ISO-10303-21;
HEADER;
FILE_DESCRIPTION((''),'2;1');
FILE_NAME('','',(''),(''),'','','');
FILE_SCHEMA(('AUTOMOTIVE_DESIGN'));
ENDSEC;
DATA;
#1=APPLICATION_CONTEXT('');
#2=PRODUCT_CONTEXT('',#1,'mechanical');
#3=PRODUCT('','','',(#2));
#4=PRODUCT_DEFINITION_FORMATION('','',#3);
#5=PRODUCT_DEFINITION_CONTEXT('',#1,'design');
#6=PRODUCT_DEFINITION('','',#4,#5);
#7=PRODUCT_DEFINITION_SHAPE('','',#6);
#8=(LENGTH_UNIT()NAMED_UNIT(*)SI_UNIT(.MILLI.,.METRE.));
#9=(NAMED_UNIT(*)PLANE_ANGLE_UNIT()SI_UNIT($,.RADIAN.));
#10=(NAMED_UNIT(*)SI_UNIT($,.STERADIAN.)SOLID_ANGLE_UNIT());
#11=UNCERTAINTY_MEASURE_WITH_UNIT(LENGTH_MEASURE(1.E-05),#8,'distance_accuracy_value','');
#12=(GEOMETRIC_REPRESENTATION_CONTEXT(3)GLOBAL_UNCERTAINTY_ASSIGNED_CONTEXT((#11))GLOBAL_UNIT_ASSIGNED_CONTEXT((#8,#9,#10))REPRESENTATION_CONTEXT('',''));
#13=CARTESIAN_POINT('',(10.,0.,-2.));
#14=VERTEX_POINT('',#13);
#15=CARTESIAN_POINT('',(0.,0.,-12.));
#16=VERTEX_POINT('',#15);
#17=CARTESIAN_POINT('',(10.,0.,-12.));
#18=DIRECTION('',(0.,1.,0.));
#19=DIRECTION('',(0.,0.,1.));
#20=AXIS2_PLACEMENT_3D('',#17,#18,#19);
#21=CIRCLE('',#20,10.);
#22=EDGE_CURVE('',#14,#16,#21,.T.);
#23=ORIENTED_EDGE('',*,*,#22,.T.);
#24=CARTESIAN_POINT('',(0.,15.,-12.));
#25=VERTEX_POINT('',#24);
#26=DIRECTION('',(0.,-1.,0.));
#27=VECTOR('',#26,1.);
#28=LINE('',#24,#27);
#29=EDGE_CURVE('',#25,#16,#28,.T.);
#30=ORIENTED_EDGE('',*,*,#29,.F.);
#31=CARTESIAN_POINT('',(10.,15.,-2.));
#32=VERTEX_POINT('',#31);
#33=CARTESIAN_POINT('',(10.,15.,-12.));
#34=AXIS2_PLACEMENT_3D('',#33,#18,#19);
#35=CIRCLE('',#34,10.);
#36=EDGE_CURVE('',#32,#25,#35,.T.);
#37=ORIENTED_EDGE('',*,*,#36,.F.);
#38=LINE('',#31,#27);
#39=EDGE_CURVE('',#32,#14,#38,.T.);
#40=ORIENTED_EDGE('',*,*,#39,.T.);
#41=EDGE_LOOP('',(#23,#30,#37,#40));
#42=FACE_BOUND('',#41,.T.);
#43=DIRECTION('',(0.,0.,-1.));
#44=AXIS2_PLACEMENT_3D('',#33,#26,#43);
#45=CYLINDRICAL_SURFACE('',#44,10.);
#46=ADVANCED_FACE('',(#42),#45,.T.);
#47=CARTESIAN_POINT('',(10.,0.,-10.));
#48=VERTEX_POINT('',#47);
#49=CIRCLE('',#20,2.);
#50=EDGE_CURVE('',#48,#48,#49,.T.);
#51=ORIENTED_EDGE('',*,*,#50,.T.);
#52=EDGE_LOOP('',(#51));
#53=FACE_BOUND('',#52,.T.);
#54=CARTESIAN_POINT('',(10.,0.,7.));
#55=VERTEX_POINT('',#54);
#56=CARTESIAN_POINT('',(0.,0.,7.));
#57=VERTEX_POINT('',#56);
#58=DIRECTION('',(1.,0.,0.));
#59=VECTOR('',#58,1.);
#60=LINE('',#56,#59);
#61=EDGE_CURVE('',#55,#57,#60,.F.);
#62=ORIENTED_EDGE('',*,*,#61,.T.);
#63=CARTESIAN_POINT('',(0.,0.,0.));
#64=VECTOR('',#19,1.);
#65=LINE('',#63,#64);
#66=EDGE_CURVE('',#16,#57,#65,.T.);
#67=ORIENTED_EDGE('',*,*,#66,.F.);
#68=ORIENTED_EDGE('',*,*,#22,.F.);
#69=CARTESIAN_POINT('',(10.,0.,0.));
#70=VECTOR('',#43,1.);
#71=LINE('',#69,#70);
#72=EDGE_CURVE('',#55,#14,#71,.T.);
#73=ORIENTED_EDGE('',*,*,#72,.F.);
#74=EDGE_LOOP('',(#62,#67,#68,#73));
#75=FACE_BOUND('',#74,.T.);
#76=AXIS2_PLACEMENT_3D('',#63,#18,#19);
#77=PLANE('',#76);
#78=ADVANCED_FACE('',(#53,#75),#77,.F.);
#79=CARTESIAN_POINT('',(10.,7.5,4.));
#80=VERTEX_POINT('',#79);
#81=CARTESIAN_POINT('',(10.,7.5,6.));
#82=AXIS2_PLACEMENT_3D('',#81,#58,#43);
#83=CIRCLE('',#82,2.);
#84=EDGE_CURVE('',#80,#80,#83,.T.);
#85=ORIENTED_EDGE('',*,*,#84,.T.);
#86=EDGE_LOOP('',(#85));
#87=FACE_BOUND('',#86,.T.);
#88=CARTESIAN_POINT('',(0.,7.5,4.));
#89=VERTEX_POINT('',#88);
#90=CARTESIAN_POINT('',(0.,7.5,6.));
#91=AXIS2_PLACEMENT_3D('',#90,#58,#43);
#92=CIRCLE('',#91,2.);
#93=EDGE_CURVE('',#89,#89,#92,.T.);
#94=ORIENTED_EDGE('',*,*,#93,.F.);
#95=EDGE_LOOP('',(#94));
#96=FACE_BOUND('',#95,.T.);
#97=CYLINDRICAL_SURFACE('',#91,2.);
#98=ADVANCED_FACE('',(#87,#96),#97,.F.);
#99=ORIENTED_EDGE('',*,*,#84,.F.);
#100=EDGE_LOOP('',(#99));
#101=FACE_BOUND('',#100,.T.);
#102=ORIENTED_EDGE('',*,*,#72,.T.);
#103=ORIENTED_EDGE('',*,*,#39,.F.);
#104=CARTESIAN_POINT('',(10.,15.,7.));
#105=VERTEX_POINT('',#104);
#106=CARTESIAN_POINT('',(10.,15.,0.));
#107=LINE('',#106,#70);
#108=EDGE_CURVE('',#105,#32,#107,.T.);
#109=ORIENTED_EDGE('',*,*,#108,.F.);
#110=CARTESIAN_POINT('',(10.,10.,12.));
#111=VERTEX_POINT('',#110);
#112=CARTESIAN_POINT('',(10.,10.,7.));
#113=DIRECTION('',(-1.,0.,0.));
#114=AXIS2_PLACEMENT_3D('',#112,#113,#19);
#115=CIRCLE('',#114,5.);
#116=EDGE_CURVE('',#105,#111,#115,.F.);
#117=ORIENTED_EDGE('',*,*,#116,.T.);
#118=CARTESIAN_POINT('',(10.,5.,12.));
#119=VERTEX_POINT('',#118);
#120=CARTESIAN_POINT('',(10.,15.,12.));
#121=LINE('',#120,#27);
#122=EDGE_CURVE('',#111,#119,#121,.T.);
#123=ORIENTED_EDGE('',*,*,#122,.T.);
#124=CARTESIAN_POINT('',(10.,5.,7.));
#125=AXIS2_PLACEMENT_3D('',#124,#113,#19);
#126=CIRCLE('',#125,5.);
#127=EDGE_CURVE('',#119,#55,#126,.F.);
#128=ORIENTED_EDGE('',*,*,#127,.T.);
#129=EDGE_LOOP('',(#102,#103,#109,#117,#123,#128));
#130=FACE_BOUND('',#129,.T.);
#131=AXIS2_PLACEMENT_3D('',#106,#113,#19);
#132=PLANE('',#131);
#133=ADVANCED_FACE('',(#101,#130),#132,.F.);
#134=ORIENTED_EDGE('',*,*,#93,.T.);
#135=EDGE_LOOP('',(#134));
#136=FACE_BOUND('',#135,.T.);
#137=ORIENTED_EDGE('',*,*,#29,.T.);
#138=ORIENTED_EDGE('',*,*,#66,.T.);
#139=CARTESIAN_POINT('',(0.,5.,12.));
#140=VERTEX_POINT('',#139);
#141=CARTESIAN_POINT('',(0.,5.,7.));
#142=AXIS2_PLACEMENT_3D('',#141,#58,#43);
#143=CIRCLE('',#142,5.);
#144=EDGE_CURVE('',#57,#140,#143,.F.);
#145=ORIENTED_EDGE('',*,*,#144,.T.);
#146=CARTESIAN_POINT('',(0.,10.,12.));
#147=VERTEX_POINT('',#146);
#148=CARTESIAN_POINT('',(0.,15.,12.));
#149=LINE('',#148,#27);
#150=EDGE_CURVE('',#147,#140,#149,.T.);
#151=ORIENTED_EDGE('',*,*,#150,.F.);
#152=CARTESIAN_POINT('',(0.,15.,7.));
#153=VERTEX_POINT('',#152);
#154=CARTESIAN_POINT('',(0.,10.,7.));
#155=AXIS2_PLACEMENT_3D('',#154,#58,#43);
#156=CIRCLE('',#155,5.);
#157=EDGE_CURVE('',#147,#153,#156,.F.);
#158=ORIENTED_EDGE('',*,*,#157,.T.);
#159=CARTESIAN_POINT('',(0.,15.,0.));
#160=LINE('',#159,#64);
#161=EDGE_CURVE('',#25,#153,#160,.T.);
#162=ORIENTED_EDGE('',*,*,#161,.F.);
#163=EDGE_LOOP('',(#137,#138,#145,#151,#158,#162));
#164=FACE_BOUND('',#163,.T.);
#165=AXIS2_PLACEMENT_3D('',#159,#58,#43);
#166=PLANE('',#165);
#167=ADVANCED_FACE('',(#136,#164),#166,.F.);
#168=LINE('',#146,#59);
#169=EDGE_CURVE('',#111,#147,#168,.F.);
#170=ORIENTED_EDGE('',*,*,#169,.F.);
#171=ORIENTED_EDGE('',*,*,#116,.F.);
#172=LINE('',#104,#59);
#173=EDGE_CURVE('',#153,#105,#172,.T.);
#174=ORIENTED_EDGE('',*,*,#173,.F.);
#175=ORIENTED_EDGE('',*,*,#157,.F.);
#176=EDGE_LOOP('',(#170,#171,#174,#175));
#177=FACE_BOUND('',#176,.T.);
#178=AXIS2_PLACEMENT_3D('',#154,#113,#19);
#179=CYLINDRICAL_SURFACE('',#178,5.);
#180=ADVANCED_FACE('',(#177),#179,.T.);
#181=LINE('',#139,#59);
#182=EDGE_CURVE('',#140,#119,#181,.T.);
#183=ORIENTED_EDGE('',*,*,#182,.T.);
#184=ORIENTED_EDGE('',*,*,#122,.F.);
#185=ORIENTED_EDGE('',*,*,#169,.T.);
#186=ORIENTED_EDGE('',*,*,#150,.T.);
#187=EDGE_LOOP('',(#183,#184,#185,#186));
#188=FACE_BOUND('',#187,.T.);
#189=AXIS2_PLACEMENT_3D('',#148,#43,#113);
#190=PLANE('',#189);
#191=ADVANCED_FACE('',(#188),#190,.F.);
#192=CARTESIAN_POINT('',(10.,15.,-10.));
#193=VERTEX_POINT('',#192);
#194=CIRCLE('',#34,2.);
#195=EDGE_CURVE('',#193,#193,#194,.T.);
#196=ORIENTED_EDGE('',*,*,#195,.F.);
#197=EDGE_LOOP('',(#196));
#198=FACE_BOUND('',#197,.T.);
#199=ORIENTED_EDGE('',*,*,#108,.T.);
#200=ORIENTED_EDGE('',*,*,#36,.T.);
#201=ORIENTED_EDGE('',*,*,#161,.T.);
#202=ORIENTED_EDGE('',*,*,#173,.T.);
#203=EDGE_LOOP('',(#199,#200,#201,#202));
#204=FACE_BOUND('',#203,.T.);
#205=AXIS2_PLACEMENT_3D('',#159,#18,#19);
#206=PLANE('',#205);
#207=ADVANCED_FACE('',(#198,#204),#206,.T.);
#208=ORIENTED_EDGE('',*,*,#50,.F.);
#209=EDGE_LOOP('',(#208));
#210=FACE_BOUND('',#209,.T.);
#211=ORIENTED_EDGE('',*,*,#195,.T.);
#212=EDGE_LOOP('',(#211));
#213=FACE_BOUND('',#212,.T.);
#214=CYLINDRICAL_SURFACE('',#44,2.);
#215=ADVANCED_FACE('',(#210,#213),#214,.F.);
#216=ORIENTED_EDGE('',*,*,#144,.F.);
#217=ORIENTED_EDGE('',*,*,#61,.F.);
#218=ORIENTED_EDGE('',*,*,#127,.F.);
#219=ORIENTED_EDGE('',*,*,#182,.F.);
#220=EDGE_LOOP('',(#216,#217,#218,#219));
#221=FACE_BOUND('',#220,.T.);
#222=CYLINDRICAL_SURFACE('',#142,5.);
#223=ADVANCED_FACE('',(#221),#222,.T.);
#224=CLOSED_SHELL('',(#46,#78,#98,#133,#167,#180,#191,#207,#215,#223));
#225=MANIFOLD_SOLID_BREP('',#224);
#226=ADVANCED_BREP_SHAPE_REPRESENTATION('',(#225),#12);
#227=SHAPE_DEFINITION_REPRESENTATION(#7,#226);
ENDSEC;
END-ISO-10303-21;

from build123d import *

# Parameters (mm, degrees)
SKIZZE1_R                       = 2
AUFSATZ_LINEAR_AUSTRAGEN1_DEPTH = 15
VERRUNDUNG1_R                   = 5
SKIZZE2_R                       = 2
SCHNITT_LINEAR_AUSTRAGEN1_DEPTH = 29.442925307


with BuildPart() as part:
    # Skizze1 → Aufsatz-Linear austragen1 (new body)
    with BuildSketch(Plane(origin=(0, 0, 0), x_dir=(1, 0, 0), z_dir=(0, 1, 0))):
        with BuildLine():
            Line((0, 12), (0, -12))
            Line((0, -12), (10, -12))
            Line((10, -12), (10, 2))
            ThreePointArc((10, 2), (17.071067812, 19.071067812), (0, 12))
        make_face()
        with Locations(Location((10, 12, 0), (0, 0, 270))):
            Circle(SKIZZE1_R, mode=Mode.SUBTRACT)
    extrude(amount=AUFSATZ_LINEAR_AUSTRAGEN1_DEPTH)

    # Verrundung1
    verrundung1_edges = [part.edges().sort_by_distance(p)[0] for p in [
        (5, 15, 12),
        (5, 0, 12),
    ]]
    fillet(verrundung1_edges, radius=VERRUNDUNG1_R)

    # Skizze2 → Schnitt-Linear austragen1 (cut, through all)
    with BuildSketch(Plane(origin=(10, 0, 0), x_dir=(0, 0, -1), z_dir=(1, 0, 0))):
        with Locations((-6, 7.5)):
            Circle(SKIZZE2_R)
    extrude(amount=-SCHNITT_LINEAR_AUSTRAGEN1_DEPTH, mode=Mode.SUBTRACT)


solid = part.part
